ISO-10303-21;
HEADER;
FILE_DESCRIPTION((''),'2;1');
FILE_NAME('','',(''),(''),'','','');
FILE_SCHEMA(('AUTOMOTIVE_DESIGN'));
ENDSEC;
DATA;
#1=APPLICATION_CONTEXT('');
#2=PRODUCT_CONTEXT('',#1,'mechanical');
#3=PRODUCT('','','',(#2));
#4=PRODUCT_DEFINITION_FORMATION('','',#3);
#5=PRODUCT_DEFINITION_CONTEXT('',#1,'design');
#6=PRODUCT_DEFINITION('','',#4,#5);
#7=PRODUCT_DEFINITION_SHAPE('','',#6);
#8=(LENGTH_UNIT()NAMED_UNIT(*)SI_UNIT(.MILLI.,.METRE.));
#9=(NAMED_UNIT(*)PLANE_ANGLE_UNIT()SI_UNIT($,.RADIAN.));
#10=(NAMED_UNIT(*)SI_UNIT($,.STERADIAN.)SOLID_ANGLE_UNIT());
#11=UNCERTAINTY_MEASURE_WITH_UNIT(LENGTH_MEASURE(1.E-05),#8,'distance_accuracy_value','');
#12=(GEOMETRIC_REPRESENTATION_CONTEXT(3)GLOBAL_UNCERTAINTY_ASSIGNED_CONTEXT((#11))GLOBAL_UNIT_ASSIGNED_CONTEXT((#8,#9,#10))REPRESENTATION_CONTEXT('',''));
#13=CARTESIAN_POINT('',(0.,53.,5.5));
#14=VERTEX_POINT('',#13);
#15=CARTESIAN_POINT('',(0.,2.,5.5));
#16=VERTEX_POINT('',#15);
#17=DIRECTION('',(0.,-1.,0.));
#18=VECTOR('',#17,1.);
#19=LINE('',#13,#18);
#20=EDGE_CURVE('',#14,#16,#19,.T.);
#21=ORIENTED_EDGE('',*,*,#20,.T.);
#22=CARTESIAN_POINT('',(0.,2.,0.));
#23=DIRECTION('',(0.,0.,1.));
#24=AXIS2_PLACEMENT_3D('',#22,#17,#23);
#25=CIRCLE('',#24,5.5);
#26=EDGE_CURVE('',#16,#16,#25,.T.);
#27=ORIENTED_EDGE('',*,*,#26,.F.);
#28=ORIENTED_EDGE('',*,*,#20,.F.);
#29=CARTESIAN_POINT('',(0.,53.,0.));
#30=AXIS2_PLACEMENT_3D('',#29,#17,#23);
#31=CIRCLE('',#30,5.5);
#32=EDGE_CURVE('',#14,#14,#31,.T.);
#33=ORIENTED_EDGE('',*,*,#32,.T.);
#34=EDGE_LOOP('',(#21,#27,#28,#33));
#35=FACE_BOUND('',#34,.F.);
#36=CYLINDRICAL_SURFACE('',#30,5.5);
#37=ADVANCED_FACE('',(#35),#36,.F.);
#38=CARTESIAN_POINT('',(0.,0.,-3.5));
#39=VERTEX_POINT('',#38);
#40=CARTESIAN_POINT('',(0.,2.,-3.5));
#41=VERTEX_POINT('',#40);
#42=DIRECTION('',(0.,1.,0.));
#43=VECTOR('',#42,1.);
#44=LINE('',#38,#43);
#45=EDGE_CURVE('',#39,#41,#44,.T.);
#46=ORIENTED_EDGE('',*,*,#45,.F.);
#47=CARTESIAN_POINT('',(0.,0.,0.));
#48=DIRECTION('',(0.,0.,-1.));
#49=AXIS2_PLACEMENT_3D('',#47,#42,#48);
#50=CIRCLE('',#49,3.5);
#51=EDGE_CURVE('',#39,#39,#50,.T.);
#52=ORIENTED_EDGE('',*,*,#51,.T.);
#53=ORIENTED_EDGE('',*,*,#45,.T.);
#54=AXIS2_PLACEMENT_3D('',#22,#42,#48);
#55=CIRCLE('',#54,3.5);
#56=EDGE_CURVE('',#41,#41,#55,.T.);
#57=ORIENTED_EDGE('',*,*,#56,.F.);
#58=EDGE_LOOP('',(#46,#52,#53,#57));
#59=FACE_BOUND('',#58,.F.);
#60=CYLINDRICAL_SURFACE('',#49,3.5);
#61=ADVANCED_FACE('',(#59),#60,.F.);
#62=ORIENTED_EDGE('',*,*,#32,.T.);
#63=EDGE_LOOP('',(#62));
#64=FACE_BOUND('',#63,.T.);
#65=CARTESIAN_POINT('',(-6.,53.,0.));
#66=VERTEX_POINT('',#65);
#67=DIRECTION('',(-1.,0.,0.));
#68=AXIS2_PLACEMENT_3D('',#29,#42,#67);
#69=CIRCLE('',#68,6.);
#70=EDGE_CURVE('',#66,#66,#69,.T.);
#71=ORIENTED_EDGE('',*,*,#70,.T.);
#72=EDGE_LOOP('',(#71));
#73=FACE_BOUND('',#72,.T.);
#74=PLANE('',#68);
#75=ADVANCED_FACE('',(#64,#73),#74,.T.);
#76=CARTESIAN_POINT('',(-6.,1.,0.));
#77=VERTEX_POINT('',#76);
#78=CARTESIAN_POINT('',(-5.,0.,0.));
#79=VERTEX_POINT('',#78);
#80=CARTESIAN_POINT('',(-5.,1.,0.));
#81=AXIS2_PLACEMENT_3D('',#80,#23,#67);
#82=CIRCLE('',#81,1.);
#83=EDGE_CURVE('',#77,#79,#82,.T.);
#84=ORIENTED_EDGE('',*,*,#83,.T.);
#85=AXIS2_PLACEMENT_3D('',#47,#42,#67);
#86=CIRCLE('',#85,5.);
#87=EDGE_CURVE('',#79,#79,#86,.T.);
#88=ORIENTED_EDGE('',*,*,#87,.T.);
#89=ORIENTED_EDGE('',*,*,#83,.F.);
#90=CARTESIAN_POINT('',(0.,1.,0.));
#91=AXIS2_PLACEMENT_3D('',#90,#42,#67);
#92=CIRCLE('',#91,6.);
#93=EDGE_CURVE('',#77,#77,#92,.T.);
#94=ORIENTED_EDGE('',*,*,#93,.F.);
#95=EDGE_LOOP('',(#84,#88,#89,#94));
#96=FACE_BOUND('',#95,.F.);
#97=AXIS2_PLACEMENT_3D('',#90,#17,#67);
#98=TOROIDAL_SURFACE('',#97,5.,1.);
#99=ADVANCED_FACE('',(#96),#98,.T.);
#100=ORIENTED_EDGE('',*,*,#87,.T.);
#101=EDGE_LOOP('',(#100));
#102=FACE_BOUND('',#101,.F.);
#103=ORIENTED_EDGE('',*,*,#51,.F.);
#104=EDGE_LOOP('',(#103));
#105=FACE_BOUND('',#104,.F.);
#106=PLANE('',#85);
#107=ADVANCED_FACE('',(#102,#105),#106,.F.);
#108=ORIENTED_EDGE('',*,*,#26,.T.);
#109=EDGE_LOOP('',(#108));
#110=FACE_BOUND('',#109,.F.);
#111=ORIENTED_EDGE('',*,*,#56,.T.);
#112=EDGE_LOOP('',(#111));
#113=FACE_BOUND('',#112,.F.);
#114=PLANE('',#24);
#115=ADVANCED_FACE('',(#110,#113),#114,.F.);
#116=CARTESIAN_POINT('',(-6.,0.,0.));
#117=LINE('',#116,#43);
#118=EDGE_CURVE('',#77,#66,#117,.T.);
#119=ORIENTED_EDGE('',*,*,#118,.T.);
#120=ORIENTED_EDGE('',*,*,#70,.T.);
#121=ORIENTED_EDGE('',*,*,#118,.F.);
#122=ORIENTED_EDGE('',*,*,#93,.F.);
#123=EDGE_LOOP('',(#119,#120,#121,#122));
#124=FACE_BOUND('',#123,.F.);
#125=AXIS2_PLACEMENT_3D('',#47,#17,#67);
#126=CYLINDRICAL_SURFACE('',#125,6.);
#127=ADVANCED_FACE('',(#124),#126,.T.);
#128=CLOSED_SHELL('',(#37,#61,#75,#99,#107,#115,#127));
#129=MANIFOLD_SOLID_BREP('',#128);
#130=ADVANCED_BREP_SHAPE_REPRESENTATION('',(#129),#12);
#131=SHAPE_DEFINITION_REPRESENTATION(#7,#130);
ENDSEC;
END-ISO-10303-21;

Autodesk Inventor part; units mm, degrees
ref_plane "YZ Plane" through (0, 0, 0) normal (1, 0, 0) x (0, 1, 0)
ref_plane "XZ Plane" through (0, 0, 0) normal (0, 1, 0) x (-1, 0, 0)
sketch "Szkic1" plane through (0, 0, 0) normal (0, 1, 0) x (-1, 0, 0)
  circle A0 centre (0, 0) radius 6
  dimension "d0" = 12
extrude "Wyciągnięcie proste1" add sketch "Szkic1" along normal blind 53
sketch "Szkic2" plane through (0, 53, 0) normal (0, 1, 0) x (1, 0, 0)
  point P0 (0, 0)
  point P1 (0, 0)
ref_plane "Płaszczyzna konstrukcyjna1" through (0, 2, 0) normal (0, -1, 0) x (1, 0, 0)
hole "Otwór1" at (0, 53, 0) direction (0, -1, 0) diameter 11 depth 51
sketch "Szkic3" plane through (0, 0, 0) normal (0, -1, 0) x (1, 0, 0)
  point P0 (0, 0)
  point P1 (0, 0)
hole "Otwór2" at (0, 0, 0) direction (0, 1, 0) diameter 7 end through all
fillet "Zaokrąglenie1" radius 1 1 edges at (6, 0, 0)
properties part number "Jack_obudowa"
